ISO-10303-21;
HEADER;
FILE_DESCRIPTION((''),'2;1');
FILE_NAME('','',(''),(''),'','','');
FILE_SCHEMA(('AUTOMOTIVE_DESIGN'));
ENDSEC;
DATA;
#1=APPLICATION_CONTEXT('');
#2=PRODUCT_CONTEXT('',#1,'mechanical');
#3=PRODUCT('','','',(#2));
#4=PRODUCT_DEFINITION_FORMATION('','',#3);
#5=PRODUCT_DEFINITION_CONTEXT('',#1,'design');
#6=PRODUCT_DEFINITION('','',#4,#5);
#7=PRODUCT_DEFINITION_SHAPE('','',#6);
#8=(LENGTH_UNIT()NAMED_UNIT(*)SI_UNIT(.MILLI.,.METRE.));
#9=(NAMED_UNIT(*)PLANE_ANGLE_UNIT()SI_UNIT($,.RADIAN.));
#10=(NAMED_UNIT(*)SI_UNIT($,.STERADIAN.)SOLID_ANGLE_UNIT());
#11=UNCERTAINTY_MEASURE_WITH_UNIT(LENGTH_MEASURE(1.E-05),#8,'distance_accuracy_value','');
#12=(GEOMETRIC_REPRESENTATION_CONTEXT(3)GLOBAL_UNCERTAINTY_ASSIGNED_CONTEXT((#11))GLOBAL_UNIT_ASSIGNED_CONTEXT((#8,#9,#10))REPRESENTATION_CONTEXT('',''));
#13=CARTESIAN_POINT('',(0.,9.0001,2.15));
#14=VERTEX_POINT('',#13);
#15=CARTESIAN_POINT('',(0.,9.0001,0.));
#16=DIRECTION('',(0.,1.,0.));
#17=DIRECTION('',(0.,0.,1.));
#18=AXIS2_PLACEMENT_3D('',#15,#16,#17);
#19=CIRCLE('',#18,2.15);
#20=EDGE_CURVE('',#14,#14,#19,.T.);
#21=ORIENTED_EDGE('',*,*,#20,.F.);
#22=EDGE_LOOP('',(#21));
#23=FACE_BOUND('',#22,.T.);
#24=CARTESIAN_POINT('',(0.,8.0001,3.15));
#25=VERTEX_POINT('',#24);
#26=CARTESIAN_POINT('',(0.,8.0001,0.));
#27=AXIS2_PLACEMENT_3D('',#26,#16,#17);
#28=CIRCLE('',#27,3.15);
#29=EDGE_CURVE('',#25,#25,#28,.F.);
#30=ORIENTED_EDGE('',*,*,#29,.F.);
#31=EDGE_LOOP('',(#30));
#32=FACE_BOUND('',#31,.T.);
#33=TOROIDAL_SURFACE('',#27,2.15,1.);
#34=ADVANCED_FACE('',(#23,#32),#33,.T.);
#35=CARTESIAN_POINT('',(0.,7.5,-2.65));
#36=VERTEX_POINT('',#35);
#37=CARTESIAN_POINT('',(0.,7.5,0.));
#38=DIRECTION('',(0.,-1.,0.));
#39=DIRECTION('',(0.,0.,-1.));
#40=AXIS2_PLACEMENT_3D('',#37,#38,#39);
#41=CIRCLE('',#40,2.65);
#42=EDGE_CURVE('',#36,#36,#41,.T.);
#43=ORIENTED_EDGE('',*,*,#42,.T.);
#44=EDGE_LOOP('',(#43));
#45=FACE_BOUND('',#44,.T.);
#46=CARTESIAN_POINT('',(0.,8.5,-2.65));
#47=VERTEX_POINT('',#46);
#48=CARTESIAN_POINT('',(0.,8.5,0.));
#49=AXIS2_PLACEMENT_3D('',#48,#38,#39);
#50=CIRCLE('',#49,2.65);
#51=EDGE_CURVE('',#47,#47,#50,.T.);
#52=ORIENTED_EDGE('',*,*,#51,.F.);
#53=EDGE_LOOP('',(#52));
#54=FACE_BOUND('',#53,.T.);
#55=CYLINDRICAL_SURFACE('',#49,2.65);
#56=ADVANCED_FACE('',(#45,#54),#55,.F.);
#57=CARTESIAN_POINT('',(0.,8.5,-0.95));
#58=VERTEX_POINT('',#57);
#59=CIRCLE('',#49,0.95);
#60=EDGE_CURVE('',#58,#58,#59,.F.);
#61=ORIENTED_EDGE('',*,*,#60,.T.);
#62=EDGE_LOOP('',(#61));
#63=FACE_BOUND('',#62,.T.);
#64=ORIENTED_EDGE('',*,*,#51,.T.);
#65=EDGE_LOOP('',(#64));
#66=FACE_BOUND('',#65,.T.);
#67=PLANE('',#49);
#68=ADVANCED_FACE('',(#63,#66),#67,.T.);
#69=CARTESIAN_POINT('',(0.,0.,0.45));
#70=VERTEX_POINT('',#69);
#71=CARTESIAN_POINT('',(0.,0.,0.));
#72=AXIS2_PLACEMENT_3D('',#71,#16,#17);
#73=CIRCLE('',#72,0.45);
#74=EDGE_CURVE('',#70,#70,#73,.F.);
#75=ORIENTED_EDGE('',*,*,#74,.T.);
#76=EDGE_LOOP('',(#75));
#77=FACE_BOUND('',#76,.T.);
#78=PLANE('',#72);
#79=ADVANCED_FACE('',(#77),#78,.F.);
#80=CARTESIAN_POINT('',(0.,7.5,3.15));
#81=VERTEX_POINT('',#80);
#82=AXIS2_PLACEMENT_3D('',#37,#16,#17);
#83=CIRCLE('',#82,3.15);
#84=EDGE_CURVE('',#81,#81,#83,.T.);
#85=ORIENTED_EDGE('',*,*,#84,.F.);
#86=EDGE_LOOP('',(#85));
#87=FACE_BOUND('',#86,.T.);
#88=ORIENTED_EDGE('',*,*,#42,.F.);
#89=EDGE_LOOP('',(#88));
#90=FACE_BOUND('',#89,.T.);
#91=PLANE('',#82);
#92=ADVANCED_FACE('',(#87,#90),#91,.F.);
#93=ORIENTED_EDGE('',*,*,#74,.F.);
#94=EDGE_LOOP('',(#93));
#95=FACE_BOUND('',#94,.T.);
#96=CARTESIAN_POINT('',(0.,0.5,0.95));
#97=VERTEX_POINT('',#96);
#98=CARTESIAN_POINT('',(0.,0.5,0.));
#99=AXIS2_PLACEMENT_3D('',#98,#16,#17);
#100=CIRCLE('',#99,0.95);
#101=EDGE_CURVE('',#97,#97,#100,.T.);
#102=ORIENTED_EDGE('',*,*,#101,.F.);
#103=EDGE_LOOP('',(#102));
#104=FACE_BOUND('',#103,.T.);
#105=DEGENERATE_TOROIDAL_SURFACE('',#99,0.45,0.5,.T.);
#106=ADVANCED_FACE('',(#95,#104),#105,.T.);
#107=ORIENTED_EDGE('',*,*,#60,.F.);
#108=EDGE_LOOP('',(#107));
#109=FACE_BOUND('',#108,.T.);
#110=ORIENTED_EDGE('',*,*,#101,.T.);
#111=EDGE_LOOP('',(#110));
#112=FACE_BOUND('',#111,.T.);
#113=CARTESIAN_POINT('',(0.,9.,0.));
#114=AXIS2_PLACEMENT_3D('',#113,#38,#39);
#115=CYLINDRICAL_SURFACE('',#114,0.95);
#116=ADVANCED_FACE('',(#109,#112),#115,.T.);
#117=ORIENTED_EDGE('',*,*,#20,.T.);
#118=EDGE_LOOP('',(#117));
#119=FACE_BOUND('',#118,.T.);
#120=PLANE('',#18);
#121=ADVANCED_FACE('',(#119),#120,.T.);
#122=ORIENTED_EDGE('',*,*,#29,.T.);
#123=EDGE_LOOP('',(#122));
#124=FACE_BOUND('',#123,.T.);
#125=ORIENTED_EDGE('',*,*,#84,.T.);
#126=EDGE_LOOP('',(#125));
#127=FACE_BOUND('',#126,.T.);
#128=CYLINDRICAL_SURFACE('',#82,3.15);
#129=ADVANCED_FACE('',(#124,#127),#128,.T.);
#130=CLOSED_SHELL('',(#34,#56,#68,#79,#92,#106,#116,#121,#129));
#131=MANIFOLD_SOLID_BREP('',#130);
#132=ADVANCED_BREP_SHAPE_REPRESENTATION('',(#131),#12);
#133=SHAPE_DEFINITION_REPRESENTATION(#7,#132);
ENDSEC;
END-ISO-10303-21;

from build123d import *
from build123d.topology import SkipClean

# Parameters (mm, degrees)
CROQUIS1_R                   = 0.95
SALIENTE_EXTRUIR1_DEPTH      = 9
SALIENTE_EXTRUIR2_DEPTH      = 0.0001
SALIENTE_EXTRUIR2_DEPTH_BACK = 1.5
CROQUIS2_R                   = 3.15
REDONDEO3_R                  = 0.5
REDONDEO5_R                  = 1
CROQUIS4_R                   = 2.65
CROQUIS4_R_2                 = 0.95
CORTAR_EXTRUIR4_DEPTH        = 1


with BuildPart() as part:
    # Croquis1 → Saliente-Extruir1 (new body)
    with BuildSketch(Plane(origin=(0, 0, 0), x_dir=(1, 0, 0), z_dir=(0, 1, 0))):
        with Locations(Location((0, 0, 0), (0, 0, 270))):
            Circle(CROQUIS1_R)
    extrude(amount=SALIENTE_EXTRUIR1_DEPTH)

    # Croquis2 → Saliente-Extruir2 (add, two sides: drawn at the far end of the back side and taken through both)
    with BuildSketch(Plane(origin=(0, 9, 0), x_dir=(1, 0, 0), z_dir=(0, 1, 0)).offset(-SALIENTE_EXTRUIR2_DEPTH_BACK)):
        with Locations(Location((0, 0, 0), (0, 0, 270))):
            Circle(CROQUIS2_R)
    extrude(amount=SALIENTE_EXTRUIR2_DEPTH + SALIENTE_EXTRUIR2_DEPTH_BACK)

    # Redondeo3
    redondeo3_edges = [part.edges().sort_by_distance(p)[0] for p in [
        (0, 0, -0.95),
    ]]
    fillet(redondeo3_edges, radius=REDONDEO3_R)

    # Redondeo5
    redondeo5_edges = [part.edges().sort_by_distance(p)[0] for p in [
        (0, 9.0001, -3.15),
    ]]
    fillet(redondeo5_edges, radius=REDONDEO5_R)

    # Croquis4 → Cortar-Extruir4 (cut)
    with SkipClean():  # the faces are left unmerged after this step: merging them gives an invalid solid
        with BuildSketch(Plane(origin=(0, 7.5, 0), x_dir=(-1, 0, 0), z_dir=(0, -1, 0))):
            with Locations(Location((0, 0, 0), (0, 0, 90))):
                Circle(CROQUIS4_R)
            with Locations(Location((0, 0, 0), (0, 0, 90))):
                Circle(CROQUIS4_R_2, mode=Mode.SUBTRACT)
        extrude(amount=-CORTAR_EXTRUIR4_DEPTH, mode=Mode.SUBTRACT)


solid = part.part
